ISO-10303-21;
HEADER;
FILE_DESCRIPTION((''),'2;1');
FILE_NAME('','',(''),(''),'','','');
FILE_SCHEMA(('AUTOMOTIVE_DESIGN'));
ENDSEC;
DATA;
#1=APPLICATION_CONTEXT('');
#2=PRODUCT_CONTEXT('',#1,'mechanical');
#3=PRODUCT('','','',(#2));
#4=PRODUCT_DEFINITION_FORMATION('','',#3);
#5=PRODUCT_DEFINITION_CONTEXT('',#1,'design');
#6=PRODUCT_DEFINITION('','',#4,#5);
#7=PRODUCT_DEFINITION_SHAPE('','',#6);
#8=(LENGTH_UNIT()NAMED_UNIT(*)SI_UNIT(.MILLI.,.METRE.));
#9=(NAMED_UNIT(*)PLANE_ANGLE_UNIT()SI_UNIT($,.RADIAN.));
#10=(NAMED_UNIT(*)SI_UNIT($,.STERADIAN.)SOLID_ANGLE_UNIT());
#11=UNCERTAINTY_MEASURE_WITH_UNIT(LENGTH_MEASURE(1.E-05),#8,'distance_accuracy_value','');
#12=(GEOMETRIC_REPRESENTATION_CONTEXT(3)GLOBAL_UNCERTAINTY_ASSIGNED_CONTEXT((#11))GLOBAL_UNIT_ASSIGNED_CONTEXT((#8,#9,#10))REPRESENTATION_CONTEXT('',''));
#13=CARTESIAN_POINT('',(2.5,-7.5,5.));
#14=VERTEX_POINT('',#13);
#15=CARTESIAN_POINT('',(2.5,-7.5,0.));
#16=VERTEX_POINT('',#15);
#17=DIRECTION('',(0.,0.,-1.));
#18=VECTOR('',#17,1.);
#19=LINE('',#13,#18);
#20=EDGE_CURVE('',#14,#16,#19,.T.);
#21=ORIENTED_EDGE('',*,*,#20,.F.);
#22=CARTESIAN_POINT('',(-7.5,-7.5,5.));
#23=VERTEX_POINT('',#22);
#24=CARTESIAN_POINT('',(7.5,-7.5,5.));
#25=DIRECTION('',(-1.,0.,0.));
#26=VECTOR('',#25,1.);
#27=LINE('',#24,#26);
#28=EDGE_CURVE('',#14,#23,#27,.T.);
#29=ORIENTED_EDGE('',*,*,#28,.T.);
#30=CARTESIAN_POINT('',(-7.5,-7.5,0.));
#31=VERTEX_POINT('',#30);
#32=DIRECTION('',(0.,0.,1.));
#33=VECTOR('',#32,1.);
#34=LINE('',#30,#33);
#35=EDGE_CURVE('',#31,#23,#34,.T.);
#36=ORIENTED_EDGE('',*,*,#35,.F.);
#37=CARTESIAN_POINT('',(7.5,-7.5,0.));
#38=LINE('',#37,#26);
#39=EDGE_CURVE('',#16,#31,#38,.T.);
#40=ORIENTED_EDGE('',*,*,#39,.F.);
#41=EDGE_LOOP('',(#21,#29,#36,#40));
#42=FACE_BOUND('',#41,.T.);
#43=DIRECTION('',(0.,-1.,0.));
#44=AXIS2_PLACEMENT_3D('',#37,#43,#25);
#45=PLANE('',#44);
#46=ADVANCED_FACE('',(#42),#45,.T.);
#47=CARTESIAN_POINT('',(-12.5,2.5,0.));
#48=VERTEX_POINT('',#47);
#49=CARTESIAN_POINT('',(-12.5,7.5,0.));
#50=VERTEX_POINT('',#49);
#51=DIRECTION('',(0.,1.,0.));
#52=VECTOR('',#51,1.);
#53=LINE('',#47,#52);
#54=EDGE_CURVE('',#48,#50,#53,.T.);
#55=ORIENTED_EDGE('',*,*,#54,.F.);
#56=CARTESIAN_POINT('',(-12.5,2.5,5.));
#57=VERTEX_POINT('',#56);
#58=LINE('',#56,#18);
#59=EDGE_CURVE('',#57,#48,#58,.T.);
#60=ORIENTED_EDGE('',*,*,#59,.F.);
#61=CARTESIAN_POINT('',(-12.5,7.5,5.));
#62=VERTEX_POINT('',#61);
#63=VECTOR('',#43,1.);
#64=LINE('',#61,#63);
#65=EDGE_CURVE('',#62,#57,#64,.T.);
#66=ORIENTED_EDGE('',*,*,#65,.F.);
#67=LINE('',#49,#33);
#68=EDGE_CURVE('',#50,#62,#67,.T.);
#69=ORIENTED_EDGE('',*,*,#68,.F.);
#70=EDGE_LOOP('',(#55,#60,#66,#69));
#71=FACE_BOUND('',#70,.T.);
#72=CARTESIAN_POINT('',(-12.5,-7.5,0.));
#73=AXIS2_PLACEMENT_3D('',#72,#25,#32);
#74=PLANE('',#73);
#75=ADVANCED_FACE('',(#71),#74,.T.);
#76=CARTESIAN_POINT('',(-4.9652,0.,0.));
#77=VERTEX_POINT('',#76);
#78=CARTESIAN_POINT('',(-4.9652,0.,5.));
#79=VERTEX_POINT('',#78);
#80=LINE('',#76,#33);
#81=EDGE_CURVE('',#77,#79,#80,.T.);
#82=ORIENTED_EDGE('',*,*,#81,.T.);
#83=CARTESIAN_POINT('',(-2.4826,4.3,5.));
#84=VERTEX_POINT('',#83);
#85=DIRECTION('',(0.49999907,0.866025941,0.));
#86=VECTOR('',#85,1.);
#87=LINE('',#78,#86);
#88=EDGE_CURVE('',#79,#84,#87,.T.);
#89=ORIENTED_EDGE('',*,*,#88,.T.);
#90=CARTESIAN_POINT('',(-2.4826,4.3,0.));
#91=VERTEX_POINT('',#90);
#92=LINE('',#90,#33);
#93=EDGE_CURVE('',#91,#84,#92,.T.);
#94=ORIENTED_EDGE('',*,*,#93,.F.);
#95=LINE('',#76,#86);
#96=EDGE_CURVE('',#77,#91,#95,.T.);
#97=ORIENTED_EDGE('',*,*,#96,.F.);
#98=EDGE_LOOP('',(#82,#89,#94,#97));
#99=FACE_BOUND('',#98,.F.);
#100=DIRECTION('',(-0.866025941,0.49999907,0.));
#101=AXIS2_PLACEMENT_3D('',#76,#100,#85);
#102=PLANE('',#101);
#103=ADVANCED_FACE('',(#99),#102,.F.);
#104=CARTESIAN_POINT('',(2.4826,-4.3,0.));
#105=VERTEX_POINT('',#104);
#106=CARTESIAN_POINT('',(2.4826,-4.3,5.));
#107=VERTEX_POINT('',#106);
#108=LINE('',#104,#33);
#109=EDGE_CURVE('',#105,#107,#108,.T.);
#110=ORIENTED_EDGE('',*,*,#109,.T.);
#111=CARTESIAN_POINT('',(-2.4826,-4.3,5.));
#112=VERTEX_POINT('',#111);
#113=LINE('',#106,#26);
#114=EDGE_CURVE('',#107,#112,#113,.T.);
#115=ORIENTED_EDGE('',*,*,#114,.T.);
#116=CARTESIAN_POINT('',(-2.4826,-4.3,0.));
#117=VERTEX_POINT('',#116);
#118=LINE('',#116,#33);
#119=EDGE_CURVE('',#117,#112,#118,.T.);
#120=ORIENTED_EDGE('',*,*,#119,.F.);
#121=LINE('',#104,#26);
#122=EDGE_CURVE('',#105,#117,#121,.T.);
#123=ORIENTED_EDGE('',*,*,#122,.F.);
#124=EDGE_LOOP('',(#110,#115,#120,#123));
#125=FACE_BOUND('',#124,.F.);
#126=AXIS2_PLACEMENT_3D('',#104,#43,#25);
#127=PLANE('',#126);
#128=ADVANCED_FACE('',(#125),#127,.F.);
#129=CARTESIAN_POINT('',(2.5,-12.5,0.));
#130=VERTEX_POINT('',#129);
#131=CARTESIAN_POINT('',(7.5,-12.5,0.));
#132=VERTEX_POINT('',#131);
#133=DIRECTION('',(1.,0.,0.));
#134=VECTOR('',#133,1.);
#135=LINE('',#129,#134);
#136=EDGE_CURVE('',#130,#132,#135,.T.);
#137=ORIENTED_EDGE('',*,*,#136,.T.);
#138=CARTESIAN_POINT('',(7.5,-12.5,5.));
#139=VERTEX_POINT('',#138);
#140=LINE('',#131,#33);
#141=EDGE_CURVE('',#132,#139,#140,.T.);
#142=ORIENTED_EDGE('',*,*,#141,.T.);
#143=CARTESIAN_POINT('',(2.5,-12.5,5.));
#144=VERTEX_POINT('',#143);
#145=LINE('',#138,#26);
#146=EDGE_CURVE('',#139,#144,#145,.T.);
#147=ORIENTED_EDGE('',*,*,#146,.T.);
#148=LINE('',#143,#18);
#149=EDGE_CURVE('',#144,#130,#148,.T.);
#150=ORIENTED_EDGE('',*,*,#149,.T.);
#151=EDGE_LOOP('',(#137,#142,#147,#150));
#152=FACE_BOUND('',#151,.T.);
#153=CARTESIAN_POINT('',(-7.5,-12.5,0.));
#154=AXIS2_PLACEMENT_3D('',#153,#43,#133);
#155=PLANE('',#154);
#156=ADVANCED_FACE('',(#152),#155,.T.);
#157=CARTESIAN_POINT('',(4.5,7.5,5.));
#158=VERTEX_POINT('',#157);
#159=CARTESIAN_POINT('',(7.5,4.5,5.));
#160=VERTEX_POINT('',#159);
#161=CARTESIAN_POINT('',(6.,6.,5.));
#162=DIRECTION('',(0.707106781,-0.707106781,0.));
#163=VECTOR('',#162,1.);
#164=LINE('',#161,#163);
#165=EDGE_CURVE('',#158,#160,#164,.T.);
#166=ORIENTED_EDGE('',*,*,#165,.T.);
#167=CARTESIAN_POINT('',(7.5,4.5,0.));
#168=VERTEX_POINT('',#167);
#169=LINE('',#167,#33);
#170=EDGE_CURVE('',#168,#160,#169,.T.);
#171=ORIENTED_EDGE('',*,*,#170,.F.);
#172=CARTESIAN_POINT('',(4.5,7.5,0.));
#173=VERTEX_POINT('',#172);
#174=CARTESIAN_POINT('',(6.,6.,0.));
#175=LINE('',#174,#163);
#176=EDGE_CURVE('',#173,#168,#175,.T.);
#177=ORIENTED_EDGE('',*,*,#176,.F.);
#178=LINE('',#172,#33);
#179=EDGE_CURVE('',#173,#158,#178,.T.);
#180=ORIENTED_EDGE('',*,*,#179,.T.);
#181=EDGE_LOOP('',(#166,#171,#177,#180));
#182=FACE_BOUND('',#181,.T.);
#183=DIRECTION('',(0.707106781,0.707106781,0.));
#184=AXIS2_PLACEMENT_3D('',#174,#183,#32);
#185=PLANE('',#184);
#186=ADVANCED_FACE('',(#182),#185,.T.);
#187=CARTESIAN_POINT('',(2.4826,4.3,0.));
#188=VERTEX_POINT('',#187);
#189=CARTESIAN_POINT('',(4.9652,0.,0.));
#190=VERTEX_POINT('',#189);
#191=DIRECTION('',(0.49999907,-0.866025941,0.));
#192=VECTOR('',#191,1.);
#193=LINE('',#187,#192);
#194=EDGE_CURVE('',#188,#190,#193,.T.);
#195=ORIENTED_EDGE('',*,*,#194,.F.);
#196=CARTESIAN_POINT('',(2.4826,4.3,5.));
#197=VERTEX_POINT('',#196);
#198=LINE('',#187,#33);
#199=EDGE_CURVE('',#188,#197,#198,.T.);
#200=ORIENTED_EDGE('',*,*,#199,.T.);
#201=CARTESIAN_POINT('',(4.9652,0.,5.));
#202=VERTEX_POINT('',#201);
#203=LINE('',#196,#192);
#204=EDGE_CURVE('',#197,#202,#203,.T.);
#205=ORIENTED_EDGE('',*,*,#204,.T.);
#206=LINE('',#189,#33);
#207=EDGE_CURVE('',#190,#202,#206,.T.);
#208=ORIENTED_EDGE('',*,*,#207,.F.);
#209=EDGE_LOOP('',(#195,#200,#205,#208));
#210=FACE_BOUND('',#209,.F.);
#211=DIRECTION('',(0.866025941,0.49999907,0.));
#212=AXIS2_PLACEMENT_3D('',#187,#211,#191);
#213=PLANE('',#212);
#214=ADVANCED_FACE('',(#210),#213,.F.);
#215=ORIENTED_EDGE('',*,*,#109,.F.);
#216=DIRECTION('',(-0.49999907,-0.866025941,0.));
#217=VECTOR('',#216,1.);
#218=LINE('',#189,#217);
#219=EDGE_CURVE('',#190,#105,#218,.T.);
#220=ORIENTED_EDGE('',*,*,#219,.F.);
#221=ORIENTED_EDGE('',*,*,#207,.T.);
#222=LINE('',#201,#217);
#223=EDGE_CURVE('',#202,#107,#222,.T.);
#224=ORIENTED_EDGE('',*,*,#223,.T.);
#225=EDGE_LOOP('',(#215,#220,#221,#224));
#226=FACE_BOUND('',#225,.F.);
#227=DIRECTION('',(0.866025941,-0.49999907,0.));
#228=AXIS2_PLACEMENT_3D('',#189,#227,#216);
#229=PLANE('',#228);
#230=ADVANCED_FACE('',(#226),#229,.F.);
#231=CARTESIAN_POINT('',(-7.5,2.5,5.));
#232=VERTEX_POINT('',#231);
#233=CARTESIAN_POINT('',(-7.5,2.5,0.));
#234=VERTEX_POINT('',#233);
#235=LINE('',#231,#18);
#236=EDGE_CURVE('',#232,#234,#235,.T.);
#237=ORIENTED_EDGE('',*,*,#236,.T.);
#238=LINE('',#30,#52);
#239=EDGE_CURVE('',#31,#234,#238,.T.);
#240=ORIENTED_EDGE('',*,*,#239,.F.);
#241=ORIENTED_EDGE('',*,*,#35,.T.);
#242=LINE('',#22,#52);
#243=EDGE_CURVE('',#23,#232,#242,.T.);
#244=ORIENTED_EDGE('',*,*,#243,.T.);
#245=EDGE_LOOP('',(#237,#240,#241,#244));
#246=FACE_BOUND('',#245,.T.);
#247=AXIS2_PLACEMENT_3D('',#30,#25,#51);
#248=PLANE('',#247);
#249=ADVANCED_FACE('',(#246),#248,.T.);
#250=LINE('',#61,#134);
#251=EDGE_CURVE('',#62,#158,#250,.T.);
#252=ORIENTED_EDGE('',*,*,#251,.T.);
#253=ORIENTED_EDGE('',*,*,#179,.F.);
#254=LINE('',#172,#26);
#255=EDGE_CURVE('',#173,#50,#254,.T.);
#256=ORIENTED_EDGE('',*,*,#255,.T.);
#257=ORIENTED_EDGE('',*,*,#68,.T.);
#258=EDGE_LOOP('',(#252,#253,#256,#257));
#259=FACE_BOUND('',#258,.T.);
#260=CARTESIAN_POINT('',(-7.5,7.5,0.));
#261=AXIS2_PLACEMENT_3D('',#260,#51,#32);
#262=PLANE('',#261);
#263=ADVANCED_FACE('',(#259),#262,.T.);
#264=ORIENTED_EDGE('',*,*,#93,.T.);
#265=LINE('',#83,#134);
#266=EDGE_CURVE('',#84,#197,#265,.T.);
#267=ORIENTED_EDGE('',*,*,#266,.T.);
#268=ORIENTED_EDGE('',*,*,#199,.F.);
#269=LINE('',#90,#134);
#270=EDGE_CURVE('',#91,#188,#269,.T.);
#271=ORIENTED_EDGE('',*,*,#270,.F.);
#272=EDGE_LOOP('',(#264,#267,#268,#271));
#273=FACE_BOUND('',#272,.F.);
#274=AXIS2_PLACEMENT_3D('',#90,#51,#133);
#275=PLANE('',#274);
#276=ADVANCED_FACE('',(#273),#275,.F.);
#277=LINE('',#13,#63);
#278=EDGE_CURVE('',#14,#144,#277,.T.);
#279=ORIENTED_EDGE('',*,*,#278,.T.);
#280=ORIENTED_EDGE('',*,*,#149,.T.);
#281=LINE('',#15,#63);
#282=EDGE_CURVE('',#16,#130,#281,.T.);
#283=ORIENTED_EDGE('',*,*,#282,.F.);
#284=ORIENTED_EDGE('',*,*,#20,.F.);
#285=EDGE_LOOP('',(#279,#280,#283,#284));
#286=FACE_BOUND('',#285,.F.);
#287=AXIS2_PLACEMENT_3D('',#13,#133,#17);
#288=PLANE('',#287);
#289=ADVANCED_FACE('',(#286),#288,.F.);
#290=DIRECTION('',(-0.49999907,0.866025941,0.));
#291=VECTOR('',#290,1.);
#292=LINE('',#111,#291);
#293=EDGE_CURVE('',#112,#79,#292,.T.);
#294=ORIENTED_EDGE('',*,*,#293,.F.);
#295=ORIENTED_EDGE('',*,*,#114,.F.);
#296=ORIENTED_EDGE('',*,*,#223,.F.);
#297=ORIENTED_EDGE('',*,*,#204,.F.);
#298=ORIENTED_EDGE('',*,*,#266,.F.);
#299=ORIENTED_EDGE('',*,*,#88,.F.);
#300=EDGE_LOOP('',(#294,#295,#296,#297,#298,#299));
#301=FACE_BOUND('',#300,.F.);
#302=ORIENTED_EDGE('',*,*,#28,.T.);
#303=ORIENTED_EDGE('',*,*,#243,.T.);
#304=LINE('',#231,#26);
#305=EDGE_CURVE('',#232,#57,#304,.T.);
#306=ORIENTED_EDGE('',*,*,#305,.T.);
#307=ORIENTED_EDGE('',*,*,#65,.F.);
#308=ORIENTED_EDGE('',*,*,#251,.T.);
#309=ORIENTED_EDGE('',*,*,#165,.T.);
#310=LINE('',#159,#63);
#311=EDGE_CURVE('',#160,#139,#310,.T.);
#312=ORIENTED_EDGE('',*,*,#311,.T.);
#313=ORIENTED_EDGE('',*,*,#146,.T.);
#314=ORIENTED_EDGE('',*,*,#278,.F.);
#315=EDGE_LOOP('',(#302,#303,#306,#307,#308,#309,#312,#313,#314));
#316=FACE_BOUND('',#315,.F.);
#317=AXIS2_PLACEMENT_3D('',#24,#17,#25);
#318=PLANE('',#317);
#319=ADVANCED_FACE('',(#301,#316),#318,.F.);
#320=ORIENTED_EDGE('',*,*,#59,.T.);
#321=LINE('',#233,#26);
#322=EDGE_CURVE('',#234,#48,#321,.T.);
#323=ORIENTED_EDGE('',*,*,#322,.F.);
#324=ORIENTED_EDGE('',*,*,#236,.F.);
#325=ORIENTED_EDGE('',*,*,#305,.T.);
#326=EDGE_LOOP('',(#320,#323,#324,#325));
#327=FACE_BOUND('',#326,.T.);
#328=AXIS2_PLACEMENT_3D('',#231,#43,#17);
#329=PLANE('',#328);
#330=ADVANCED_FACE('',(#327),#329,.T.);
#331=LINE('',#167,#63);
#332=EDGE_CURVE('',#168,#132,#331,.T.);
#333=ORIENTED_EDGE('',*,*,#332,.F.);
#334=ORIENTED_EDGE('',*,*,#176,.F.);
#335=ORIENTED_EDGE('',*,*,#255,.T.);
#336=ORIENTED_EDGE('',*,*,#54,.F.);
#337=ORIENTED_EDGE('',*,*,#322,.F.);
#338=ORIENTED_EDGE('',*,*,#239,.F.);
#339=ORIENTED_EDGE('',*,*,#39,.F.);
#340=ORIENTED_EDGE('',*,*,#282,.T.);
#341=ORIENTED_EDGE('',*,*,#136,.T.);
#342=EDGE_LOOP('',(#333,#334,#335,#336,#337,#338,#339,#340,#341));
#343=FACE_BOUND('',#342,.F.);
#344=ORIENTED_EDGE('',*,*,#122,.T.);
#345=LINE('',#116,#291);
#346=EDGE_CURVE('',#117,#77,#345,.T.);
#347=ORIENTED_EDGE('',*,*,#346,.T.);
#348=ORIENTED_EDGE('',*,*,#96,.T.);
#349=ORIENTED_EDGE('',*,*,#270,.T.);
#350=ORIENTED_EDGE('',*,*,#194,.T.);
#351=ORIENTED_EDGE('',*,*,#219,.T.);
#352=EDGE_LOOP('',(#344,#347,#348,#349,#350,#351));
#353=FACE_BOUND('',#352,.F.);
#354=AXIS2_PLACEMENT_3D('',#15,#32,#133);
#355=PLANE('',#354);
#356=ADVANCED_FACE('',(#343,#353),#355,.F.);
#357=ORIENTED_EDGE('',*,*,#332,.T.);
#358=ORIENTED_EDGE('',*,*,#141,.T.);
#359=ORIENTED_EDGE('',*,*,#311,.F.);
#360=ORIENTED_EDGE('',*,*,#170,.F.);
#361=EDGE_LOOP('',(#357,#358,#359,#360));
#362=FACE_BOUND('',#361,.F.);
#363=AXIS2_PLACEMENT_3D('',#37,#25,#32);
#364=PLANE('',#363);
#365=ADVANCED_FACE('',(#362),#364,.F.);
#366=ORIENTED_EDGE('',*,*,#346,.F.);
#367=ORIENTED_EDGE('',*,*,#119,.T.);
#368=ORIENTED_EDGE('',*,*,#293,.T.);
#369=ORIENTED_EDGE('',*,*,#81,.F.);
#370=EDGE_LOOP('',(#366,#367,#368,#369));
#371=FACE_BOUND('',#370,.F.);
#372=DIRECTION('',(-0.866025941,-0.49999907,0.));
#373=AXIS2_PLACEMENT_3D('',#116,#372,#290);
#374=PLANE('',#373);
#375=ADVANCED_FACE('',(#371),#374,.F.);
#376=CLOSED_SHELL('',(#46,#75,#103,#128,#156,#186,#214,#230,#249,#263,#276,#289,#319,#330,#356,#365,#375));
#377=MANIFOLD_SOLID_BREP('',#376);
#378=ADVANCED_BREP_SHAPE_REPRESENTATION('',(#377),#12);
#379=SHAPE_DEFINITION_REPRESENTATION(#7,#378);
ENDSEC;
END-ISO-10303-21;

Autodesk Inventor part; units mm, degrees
sketch "Sketch1" plane through (0, 0, 0) normal (0, 0, 1) x (1, 0, 0)
  line L0 (0, 2.8582) -> (0, -2.8582) construction
  line L1 (-5.7775, 0) -> (5.7775, 0) construction
  point P0 (0, 0)
  point P1 (0, 0)
sketch "Sketch2" plane through (0, 0, 0) normal (0, 0, 1) x (1, 0, 0)
  line L0 (2.4826, 4.3) -> (4.9652, 0)
  line L1 (4.9652, 0) -> (2.4826, -4.3)
  line L2 (2.4826, -4.3) -> (-2.4826, -4.3)
  line L3 (-2.4826, -4.3) -> (-4.9652, 0)
  line L4 (-4.9652, 0) -> (-2.4826, 4.3)
  line L5 (-2.4826, 4.3) -> (2.4826, 4.3)
  line L6 (-7.5, 7.5) -> (7.5, 7.5)
  line L7 (7.5, 7.5) -> (7.5, -7.5)
  line L8 (7.5, -7.5) -> (-7.5, -7.5)
  line L9 (-7.5, -7.5) -> (-7.5, 7.5)
  line L10 (-7.5, 7.5) -> (7.5, -7.5) construction
  line L11 (7.5, 7.5) -> (-7.5, -7.5) construction
  point P0 (0, 0)
  point P1 (0, 0)
  dimension "d0" = 8.6
  dimension "d1" = 15
  dimension "d2" = 15
extrude "Extrusion1" add sketch "Sketch2" along normal blind 5
chamfer "Chamfer1" distance 3 angle 45 1 edges at (7.5, 7.5, 2.5)
sketch "Sketch3" plane through (-7.5, -7.5, 0) normal (-1, 0, 0) x (0, 0, 1)
  line L0 (0, 15) -> (5, 15)
  line L1 (5, 15) -> (5, 10)
  line L2 (5, 10) -> (0, 10)
  line L3 (0, 10) -> (0, 15)
  point P0 (0, 7.5)
  dimension "d8" = 5
  dimension "d9" = 5
extrude "Extrusion2" add sketch "Sketch3" along normal blind 5
sketch "Sketch4" plane through (-7.5, -7.5, 0) normal (0, -1, 0) x (1, 0, 0)
  line L0 (15, 0) -> (15, 5) projected
  line L1 (15, 5) -> (10, 5)
  line L2 (10, 5) -> (10, 0)
  line L3 (10, 0) -> (15, 0)
  line L4 (15, 0) -> (15, 5)
  point P0 (7.5, 0)
  dimension "d12" = 5
  dimension "d13" = 5
extrude "Extrusion3" add sketch "Sketch4" along normal blind 5
properties part number "bevestiging deksel" material "S235"
